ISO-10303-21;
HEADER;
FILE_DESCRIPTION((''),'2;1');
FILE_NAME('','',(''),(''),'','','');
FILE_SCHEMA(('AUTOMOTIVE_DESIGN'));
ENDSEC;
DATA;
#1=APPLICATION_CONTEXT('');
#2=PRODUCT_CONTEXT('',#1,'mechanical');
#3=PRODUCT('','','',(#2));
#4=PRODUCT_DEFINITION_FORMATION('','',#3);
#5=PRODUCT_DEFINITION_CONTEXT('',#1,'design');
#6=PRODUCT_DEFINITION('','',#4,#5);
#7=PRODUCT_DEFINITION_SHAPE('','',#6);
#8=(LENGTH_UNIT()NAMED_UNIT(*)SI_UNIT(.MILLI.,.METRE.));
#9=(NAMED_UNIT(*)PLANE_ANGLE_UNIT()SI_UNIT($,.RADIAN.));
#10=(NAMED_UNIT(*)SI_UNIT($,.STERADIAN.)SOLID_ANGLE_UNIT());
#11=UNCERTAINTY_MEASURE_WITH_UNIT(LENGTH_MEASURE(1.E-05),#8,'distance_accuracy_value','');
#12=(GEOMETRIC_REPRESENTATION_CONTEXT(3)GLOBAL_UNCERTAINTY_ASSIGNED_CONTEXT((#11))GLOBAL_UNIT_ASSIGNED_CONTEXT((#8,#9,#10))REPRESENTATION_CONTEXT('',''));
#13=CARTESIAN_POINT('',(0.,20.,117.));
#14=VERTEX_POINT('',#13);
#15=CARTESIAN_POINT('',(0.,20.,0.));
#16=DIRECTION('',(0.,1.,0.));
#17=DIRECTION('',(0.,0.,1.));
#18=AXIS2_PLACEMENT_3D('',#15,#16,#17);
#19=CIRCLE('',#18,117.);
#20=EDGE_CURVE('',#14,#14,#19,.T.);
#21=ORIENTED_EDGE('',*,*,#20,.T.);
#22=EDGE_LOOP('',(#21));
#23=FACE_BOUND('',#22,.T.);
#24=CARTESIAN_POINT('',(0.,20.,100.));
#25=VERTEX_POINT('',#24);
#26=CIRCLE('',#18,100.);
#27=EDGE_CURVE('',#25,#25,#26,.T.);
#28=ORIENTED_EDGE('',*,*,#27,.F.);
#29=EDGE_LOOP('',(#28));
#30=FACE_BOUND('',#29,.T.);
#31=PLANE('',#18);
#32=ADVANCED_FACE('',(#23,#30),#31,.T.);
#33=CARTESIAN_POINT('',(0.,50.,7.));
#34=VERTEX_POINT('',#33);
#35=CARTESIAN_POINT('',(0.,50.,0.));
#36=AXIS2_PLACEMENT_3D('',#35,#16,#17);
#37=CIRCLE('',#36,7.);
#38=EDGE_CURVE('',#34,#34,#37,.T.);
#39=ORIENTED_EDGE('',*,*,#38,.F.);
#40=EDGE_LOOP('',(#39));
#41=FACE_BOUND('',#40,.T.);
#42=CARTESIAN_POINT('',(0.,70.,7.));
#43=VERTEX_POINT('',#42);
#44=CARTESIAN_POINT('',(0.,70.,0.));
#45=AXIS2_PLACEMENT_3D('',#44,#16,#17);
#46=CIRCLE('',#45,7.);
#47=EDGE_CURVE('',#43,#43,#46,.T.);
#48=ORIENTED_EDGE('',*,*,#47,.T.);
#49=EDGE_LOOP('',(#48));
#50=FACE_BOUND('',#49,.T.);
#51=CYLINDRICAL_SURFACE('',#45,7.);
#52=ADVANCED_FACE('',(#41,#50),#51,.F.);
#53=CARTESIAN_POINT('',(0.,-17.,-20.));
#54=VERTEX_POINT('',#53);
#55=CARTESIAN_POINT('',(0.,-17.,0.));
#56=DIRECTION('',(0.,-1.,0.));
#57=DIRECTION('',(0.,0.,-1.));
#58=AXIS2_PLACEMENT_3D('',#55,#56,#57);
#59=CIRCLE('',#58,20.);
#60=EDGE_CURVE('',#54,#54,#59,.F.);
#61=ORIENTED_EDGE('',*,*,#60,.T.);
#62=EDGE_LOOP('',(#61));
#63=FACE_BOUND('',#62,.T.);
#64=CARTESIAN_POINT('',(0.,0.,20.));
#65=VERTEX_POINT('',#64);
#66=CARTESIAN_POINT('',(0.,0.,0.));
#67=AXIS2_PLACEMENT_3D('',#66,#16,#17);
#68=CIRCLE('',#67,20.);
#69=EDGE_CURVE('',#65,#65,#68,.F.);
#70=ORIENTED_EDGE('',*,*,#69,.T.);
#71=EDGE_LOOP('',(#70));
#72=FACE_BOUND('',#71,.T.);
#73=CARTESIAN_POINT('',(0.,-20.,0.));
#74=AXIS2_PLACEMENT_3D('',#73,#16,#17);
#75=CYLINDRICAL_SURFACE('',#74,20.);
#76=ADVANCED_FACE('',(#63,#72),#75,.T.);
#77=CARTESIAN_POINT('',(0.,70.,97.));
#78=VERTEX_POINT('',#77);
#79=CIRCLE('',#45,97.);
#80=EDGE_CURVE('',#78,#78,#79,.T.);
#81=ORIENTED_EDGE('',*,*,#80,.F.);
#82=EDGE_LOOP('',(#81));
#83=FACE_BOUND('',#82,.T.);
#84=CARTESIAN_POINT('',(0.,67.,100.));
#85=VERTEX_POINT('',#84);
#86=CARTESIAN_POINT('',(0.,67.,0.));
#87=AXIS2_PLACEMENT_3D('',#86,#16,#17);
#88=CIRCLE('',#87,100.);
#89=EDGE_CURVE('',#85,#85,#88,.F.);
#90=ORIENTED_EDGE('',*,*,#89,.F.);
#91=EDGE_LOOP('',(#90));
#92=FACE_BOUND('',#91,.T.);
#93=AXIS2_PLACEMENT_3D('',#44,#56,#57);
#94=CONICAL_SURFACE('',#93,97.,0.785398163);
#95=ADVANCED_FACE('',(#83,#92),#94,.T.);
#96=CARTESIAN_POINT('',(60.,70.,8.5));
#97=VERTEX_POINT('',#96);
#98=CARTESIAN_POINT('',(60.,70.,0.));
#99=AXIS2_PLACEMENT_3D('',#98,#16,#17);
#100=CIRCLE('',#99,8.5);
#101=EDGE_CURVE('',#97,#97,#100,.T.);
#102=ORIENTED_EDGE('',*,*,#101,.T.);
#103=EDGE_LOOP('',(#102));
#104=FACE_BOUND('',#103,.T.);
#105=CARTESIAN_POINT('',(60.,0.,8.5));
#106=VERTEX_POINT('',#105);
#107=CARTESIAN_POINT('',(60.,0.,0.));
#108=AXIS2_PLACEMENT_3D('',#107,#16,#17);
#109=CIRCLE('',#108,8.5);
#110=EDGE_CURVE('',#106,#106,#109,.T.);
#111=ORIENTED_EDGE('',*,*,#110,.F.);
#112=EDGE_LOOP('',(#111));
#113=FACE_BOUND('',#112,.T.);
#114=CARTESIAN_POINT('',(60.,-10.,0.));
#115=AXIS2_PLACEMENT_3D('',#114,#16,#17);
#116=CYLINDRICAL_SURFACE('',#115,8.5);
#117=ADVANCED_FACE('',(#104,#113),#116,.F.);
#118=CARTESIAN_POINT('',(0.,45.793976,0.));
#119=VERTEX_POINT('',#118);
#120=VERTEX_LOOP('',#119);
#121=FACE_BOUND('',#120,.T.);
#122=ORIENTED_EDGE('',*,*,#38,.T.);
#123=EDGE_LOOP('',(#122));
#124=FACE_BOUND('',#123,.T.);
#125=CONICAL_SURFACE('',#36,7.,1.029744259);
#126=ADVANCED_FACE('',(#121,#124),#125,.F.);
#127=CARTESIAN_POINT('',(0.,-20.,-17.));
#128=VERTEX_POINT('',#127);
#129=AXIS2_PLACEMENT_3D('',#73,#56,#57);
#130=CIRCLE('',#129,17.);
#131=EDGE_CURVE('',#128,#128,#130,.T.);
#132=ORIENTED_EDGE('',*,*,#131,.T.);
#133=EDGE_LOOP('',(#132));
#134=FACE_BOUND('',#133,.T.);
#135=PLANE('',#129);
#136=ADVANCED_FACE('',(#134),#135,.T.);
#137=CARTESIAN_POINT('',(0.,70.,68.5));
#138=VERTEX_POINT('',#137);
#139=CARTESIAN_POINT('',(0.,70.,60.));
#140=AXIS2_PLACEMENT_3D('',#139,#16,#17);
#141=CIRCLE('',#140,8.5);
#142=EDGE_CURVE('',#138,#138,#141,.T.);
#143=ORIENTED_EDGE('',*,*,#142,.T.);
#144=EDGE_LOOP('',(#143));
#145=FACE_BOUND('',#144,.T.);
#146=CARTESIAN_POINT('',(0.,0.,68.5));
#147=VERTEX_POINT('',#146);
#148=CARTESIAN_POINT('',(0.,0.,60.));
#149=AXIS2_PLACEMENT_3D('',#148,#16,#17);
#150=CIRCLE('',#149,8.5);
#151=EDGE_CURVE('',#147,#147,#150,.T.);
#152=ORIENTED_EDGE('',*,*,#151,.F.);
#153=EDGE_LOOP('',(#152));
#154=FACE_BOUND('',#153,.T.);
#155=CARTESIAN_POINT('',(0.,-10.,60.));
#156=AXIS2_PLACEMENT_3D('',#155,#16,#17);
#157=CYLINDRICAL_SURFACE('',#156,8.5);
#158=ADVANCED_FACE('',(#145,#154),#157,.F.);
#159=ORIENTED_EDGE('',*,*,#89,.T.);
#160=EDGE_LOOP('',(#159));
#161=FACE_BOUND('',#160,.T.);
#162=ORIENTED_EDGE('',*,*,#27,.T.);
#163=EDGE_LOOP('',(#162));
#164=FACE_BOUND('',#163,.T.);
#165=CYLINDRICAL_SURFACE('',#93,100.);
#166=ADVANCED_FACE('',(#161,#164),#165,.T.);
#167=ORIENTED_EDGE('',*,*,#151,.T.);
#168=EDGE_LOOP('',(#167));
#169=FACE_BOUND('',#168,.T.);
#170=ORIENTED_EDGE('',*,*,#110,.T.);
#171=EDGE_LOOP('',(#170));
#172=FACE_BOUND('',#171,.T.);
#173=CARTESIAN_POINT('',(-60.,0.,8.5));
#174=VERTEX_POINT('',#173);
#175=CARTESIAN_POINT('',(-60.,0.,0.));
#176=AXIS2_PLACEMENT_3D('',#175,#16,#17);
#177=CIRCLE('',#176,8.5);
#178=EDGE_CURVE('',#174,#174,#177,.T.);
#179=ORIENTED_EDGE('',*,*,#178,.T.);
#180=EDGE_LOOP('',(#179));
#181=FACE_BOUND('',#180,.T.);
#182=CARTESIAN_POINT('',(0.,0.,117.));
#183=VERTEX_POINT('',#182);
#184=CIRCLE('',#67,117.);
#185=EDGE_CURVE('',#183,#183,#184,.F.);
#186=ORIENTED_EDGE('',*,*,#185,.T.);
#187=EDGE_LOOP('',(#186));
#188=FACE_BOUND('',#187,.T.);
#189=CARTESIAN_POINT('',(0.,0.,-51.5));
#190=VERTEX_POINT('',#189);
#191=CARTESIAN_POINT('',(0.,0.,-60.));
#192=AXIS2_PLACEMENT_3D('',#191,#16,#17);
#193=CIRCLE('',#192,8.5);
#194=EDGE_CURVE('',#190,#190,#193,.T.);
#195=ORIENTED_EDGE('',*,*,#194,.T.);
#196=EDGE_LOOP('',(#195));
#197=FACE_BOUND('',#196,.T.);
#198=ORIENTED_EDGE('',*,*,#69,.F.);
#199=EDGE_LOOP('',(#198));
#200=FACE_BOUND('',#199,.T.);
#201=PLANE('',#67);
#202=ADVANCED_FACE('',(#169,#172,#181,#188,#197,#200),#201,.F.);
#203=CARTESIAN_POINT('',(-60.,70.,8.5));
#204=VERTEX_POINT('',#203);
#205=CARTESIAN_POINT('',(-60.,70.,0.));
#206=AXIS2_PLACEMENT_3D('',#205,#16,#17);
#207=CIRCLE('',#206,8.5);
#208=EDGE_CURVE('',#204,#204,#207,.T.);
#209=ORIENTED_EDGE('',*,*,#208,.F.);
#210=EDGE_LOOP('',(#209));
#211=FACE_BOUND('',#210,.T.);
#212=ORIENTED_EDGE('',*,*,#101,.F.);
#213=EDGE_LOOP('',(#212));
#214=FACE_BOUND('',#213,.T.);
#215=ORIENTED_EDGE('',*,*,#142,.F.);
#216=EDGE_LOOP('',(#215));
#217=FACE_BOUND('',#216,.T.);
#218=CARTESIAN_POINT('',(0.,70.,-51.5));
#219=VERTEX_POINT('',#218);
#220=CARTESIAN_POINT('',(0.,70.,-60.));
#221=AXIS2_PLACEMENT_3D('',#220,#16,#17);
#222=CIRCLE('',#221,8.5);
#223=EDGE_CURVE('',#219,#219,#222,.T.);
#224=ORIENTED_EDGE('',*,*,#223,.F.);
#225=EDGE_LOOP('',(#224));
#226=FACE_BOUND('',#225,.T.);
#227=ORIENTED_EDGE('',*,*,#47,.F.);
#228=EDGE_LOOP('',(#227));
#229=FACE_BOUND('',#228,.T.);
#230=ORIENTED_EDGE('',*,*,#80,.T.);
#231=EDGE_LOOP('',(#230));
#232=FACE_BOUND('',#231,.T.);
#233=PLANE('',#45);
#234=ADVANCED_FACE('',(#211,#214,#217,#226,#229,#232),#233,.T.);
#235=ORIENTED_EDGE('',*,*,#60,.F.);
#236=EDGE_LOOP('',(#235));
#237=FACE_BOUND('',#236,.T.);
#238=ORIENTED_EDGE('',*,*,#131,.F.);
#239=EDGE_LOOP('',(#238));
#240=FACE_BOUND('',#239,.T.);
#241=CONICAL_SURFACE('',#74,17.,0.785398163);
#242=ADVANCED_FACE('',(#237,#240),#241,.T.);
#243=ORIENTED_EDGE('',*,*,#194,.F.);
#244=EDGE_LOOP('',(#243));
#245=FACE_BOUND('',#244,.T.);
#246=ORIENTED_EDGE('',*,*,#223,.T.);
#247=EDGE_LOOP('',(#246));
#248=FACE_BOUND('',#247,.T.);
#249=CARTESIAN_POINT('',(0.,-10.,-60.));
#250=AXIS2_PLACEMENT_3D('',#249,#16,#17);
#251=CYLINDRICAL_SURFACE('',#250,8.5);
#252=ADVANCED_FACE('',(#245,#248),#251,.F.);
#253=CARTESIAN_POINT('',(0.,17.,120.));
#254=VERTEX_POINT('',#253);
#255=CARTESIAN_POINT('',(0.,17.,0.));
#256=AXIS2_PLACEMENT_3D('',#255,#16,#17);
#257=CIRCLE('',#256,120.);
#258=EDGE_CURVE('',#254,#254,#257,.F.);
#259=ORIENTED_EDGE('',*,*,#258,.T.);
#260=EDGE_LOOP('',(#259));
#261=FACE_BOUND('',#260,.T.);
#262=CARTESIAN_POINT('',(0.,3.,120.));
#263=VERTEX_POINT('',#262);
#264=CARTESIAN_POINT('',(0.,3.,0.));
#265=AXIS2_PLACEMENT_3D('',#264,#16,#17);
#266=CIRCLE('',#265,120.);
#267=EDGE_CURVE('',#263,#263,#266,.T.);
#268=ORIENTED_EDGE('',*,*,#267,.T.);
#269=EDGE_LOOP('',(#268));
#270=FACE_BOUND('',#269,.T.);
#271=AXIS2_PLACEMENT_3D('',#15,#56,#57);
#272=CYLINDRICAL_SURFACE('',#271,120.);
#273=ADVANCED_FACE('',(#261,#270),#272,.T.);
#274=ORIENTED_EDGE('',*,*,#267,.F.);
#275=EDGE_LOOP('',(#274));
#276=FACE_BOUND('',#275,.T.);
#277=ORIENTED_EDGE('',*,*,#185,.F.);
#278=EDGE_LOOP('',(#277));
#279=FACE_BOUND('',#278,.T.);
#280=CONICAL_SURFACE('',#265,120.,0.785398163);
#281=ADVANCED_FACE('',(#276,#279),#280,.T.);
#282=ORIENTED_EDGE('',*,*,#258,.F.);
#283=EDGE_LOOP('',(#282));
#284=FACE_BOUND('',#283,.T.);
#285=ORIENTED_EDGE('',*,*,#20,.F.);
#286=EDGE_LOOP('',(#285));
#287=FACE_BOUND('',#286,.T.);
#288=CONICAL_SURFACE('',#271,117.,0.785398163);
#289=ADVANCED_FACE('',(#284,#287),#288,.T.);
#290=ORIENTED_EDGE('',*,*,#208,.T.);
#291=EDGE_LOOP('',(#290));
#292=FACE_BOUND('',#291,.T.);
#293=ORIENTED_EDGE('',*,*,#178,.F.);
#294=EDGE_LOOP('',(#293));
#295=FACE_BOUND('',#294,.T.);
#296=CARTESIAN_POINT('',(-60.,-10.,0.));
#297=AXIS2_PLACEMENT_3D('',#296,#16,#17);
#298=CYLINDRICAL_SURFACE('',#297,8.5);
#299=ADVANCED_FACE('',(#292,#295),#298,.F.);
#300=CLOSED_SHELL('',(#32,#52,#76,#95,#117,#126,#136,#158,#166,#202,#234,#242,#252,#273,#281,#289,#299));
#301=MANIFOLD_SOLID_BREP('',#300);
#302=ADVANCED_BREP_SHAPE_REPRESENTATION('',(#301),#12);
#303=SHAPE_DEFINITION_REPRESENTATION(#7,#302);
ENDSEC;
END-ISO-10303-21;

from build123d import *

# Parameters (mm, degrees)
SKETCH_1_R             = 120
EXTRUDE_1_DEPTH        = 20
SKETCH_2_R             = 100
EXTRUDE_2_DEPTH        = 50
SKETCH_3_R             = 8.5
CUT_EXTRUDE_1_DEPTH    = 80
SKETCH_4_R             = 20
EXTRUDE_3_DEPTH        = 20
HOLE_WIZARD_M161_D     = 14
HOLE_WIZARD_M161_DEPTH = 20
HOLE_WIZARD_M161_TIP   = 4.206024333
CHAMFER_1_SIZE         = 3
CHAMFER_2_SIZE         = 3


with BuildPart() as part:
    # Эскиз1 → Бобышка-Вытянуть1 (new body)
    with BuildSketch(Plane(origin=(0, 0, 0), x_dir=(1, 0, 0), z_dir=(0, 1, 0))):
        Circle(SKETCH_1_R)
    extrude(amount=EXTRUDE_1_DEPTH)

    # Эскиз2 → Бобышка-Вытянуть2 (add)
    with BuildSketch(Plane(origin=(0, 20, 0), x_dir=(1, 0, 0), z_dir=(0, 1, 0))):
        Circle(SKETCH_2_R)
    extrude(amount=EXTRUDE_2_DEPTH)

    # Эскиз3 → Вырез-Вытянуть1 (cut)
    with BuildSketch(Plane(origin=(0, 70, 0), x_dir=(1, 0, 0), z_dir=(0, 1, 0))):
        with Locations((0, 60)):
            Circle(SKETCH_3_R)
        with Locations((60, 0)):
            Circle(SKETCH_3_R)
        with Locations((0, -60)):
            Circle(SKETCH_3_R)
        with Locations((-60, 0)):
            Circle(SKETCH_3_R)
    extrude(amount=-CUT_EXTRUDE_1_DEPTH, mode=Mode.SUBTRACT)

    # Эскиз4 → Бобышка-Вытянуть3 (add)
    with BuildSketch(Plane.XZ):
        Circle(SKETCH_4_R)
    extrude(amount=EXTRUDE_3_DEPTH)

    # Отверстие обработанное метчиком M161
    with Locations(Plane(origin=(0, 70, 0), x_dir=(1, 0, 0), z_dir=(0, 1, 0))):
        with Locations((0, 0)):
            Hole(HOLE_WIZARD_M161_D / 2, depth=HOLE_WIZARD_M161_DEPTH)
            with Locations((0, 0, -(HOLE_WIZARD_M161_DEPTH + HOLE_WIZARD_M161_TIP / 2))):  # 118° drill point
                Cone(0, HOLE_WIZARD_M161_D / 2, HOLE_WIZARD_M161_TIP, mode=Mode.SUBTRACT)

    # Фаска1
    chamfer_1_edges = [part.edges().sort_by_distance(p)[0] for p in [
        (-120, 0, 0),
        (-120, 20, 0),
        (-100, 70, 0),
    ]]
    chamfer(chamfer_1_edges, length=CHAMFER_1_SIZE)

    # Фаска2
    chamfer_2_edges = [part.edges().sort_by_distance(p)[0] for p in [
        (-20, -20, 0),
    ]]
    chamfer(chamfer_2_edges, length=CHAMFER_2_SIZE)


solid = part.part
